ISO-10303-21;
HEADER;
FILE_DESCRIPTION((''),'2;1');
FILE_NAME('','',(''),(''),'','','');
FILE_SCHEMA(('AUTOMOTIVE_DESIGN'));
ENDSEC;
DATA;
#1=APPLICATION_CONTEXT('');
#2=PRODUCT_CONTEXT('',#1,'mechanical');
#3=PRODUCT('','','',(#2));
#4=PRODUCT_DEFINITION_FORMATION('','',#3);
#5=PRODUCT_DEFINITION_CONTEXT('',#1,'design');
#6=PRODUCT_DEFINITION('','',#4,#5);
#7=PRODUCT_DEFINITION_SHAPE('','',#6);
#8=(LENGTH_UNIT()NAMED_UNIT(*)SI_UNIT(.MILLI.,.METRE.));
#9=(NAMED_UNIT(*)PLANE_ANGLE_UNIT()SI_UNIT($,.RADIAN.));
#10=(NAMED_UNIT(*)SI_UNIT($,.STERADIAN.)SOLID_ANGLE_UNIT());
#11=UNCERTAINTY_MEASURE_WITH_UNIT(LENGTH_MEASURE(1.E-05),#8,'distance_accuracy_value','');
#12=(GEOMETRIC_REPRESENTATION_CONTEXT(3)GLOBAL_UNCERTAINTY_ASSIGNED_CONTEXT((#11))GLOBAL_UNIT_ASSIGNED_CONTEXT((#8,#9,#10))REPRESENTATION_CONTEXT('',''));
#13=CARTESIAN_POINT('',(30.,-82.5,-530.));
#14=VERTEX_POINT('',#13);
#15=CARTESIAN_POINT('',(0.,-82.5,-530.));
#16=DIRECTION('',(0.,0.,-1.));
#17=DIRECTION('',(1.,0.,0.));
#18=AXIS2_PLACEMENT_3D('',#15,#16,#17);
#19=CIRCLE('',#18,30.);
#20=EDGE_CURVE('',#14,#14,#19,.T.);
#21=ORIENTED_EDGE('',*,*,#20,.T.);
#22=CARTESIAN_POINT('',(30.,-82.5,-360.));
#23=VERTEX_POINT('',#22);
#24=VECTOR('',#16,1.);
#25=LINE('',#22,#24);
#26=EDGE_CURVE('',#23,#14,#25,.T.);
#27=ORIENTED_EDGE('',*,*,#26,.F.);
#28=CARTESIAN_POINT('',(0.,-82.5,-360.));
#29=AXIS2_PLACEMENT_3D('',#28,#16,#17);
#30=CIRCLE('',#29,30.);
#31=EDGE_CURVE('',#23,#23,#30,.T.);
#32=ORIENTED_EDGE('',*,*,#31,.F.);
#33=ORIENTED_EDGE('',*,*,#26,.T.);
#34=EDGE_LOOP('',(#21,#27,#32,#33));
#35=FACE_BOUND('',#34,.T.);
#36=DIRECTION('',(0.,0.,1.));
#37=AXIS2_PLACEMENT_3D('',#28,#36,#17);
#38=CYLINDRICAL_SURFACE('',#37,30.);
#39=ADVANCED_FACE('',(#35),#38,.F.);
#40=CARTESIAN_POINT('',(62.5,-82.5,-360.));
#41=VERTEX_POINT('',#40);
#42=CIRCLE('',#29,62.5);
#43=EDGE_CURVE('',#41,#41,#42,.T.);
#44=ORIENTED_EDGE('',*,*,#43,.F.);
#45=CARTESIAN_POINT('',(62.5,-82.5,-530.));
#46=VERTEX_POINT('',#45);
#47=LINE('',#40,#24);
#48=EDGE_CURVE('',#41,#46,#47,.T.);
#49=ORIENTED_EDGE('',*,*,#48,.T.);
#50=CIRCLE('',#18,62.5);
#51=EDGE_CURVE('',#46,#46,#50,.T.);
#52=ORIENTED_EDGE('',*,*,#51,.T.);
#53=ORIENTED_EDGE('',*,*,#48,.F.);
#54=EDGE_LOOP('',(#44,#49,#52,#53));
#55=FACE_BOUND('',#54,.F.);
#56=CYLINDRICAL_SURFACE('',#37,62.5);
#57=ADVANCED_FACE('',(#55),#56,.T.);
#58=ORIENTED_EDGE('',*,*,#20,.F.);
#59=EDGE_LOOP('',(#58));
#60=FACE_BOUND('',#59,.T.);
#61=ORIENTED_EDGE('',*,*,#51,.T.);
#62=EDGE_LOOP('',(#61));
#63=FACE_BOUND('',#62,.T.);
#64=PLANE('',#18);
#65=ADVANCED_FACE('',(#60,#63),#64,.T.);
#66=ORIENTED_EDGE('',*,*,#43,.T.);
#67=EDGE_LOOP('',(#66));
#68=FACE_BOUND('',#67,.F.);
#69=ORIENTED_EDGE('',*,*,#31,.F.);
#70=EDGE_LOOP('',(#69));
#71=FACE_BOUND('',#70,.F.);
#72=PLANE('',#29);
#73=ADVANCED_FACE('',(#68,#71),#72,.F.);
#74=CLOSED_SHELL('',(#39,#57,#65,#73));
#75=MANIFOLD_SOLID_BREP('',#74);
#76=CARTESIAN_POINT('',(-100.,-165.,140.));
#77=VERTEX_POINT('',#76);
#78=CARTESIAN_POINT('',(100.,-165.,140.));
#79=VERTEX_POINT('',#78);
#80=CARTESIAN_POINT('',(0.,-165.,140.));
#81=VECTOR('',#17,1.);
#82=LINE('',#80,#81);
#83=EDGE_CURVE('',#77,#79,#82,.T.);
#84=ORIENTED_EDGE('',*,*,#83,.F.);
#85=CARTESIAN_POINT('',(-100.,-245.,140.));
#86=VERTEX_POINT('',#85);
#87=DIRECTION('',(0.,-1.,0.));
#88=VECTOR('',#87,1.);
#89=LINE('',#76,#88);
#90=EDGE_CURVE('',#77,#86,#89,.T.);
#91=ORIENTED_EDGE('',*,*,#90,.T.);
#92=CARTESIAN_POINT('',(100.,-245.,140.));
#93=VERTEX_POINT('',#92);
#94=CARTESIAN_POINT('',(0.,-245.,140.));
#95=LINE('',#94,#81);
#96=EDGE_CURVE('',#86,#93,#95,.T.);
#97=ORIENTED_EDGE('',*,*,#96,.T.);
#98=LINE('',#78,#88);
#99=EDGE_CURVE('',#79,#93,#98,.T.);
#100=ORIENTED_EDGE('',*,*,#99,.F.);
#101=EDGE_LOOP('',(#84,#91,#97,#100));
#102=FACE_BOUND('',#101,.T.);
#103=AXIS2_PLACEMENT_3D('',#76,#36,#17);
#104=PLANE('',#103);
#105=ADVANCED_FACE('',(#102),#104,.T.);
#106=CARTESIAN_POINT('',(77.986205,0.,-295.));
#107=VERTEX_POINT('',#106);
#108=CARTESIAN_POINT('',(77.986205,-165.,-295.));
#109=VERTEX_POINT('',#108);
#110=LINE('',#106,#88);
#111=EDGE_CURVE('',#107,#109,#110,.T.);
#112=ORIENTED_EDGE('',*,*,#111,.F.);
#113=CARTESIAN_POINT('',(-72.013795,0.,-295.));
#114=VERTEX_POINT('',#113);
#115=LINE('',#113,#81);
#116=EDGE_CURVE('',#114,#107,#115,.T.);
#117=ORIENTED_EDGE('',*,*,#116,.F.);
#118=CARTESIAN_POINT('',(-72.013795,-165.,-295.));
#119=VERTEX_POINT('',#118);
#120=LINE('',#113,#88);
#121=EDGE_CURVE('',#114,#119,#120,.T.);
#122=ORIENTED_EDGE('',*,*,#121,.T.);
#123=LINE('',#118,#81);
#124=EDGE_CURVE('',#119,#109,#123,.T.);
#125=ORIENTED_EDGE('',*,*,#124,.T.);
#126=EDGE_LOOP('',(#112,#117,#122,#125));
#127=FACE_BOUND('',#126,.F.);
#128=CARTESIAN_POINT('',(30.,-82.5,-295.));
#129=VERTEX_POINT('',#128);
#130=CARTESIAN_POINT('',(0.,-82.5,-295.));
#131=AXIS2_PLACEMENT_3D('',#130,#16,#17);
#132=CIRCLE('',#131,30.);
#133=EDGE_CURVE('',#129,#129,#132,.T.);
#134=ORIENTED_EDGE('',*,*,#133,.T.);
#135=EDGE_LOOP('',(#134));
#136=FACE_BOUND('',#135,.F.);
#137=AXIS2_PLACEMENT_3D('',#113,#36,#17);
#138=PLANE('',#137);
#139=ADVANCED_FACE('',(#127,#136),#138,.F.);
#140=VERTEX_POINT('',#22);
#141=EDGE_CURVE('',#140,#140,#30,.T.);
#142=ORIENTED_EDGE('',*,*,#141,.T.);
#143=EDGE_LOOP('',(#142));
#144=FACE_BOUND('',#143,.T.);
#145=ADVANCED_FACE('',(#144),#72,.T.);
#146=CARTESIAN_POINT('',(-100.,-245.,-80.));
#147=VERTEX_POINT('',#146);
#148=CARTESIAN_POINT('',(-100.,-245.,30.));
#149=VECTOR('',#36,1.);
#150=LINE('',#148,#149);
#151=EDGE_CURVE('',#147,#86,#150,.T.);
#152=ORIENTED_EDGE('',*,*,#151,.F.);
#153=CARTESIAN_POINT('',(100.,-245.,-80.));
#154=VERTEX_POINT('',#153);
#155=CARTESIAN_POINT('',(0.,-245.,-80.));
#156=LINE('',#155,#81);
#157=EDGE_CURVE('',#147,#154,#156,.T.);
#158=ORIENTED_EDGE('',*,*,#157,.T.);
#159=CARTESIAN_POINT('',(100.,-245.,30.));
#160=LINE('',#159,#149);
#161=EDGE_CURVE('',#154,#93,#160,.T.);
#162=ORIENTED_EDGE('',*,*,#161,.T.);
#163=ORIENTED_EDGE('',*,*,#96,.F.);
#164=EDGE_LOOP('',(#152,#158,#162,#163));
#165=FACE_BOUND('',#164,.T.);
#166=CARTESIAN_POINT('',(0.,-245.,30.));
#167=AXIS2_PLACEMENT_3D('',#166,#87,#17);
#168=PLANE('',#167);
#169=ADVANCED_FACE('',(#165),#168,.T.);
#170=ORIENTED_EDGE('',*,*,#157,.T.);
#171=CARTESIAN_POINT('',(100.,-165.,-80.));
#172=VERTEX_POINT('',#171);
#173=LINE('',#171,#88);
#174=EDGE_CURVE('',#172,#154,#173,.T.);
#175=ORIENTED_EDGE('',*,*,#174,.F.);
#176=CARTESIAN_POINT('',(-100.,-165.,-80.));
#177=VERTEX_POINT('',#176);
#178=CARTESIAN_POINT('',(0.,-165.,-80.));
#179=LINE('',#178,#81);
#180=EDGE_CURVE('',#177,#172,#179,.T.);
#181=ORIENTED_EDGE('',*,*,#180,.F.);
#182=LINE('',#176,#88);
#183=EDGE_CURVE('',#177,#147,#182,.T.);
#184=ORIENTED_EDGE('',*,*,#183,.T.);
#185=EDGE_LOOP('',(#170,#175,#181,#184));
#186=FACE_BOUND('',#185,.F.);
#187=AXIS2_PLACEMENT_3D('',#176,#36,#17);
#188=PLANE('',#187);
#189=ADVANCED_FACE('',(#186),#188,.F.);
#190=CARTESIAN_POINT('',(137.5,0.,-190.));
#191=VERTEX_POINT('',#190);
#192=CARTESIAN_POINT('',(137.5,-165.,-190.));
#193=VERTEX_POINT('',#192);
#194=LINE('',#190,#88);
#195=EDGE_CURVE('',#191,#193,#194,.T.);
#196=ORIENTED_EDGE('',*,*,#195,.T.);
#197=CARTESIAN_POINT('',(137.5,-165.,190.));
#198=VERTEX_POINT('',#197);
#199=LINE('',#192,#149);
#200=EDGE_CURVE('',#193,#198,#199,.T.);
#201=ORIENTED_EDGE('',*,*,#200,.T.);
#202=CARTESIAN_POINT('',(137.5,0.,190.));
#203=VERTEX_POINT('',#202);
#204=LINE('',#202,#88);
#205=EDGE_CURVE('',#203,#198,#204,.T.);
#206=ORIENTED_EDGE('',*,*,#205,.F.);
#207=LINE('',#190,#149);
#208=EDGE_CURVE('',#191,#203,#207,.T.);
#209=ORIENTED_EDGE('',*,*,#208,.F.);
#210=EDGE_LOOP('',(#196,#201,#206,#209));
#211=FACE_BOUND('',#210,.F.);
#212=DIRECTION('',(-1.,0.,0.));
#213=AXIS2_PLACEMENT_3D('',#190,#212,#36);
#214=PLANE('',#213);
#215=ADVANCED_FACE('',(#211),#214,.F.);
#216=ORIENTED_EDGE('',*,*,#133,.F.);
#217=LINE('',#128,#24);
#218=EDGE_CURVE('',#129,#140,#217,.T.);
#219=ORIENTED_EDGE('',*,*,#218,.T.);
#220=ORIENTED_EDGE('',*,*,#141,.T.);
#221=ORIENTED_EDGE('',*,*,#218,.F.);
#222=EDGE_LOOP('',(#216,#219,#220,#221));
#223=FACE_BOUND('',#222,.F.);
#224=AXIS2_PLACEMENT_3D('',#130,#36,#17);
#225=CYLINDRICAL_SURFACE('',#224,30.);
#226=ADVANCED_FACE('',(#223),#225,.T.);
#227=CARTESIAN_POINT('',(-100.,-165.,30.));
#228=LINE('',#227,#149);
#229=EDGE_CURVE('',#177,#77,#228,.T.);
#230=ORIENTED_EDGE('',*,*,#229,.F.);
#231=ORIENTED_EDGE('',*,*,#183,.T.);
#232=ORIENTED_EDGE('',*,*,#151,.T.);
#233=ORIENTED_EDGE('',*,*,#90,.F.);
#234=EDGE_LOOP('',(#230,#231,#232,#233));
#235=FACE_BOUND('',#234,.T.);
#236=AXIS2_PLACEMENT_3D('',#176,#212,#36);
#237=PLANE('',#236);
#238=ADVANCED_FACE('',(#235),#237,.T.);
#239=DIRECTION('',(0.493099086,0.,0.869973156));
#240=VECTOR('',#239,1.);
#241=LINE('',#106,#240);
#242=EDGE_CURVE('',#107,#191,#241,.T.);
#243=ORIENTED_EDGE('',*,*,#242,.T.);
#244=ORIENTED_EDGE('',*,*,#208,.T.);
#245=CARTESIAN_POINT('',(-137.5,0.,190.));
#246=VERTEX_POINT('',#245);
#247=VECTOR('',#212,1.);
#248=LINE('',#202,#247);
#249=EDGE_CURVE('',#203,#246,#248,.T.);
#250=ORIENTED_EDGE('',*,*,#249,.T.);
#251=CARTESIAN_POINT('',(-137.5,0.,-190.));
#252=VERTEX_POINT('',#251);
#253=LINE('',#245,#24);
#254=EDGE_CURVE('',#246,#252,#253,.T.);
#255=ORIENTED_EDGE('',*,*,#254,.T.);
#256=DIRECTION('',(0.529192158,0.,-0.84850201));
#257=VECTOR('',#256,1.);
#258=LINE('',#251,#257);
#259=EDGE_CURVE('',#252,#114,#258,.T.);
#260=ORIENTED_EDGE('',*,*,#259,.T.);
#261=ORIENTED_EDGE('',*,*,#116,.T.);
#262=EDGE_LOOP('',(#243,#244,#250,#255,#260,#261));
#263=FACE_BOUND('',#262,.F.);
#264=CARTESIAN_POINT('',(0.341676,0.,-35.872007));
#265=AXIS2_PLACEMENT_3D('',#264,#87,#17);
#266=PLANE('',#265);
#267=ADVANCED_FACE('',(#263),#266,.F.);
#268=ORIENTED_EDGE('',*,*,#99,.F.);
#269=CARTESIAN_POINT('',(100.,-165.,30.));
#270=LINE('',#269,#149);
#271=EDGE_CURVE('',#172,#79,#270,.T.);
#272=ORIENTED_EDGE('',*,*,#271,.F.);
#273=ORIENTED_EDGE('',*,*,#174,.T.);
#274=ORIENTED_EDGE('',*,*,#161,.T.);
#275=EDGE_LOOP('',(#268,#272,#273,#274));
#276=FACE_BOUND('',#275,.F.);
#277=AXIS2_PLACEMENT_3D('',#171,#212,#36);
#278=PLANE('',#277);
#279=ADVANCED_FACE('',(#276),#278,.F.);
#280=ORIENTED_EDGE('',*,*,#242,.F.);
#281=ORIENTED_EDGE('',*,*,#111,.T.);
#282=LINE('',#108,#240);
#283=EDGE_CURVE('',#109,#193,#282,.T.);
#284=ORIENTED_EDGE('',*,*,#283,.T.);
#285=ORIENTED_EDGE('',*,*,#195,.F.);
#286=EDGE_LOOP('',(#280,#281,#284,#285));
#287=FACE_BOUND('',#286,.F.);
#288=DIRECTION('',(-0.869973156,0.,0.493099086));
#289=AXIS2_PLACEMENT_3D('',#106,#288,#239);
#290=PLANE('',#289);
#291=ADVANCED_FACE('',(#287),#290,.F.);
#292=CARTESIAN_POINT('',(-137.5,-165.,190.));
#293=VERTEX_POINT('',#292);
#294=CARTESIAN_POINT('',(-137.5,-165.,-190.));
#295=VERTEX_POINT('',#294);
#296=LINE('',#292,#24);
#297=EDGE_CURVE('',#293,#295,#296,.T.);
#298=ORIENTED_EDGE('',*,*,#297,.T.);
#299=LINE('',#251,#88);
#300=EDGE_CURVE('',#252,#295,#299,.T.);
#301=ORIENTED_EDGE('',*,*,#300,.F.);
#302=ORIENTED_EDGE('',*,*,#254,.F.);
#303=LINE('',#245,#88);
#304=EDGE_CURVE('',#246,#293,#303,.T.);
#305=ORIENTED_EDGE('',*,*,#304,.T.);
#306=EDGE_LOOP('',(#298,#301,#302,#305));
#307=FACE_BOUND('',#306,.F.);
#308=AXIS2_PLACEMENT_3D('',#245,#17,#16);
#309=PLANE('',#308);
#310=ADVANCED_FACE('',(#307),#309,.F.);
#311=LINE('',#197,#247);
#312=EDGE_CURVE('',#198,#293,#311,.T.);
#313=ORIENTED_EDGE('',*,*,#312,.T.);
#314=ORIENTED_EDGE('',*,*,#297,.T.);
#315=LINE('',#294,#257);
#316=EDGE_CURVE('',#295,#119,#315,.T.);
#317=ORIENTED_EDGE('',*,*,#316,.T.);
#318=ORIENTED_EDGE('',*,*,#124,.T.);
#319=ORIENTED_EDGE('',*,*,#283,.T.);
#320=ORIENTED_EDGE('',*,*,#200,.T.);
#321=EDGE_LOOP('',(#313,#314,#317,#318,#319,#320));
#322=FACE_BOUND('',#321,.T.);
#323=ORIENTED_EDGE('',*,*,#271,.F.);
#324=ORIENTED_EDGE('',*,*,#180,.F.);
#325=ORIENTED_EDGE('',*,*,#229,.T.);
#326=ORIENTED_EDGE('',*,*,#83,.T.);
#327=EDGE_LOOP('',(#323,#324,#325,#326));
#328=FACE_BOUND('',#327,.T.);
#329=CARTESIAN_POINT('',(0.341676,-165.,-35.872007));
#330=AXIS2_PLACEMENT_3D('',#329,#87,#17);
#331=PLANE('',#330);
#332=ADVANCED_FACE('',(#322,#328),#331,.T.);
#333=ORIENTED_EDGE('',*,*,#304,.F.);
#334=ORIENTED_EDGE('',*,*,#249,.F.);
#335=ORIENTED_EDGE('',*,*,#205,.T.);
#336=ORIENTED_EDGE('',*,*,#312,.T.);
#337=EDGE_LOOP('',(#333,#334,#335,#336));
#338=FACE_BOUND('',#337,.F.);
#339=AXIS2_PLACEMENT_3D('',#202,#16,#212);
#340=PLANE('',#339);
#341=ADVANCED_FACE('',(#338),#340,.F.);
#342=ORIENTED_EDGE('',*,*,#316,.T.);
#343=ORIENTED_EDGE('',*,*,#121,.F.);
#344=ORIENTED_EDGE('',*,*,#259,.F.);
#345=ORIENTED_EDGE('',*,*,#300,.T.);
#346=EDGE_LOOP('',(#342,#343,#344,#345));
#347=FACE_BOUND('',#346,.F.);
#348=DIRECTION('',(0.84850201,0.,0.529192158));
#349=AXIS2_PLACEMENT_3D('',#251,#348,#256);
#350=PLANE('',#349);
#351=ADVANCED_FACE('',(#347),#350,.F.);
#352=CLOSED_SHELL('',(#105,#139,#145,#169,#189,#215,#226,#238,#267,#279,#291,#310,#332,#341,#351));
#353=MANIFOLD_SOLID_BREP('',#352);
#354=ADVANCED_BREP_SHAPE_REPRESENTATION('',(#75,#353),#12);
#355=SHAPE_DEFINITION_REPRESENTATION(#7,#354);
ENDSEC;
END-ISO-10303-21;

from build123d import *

# Parameters (mm, degrees)
F1_DEPTH = 165
F7_R     = 30
F2_DEPTH = 65
F3_R     = 62.5
F3_R_2   = 30
F4_DEPTH = 170
F5_W     = 200
F5_H     = 220
F6_DEPTH = 80


with BuildPart() as f1:
    # F0 (on Front) → F1 (new body)
    with BuildSketch(Plane.XZ):
        Polygon((137.5, -190), (137.5, 190), (-137.5, 190), (-137.5, -190), (-72.013795, -295), (77.986205, -295), align=None)
    extrude(amount=F1_DEPTH)

    # F7 (on face) → F2 (join)
    with BuildSketch(Plane(origin=(0, 0, -295), x_dir=(1, 0, 0), z_dir=(0, 0, -1))):
        with Locations((0, 82.5)):
            Circle(F7_R)
    extrude(amount=F2_DEPTH)

    # F3 (on face) → F4 (join)
    with BuildSketch(Plane(origin=(0, 0, -360), x_dir=(1, 0, 0), z_dir=(0, 0, -1))):
        with Locations((0, 82.5)):
            Circle(F3_R)
        with Locations((0, 82.5)):
            Circle(F3_R_2, mode=Mode.SUBTRACT)
    extrude(amount=F4_DEPTH)

    # F5 (on face) → F6 (join)
    with BuildSketch(Plane.XZ.offset(165)):
        with Locations((0, 30)):
            Rectangle(F5_W, F5_H)
    extrude(amount=F6_DEPTH)


solid = f1.part
